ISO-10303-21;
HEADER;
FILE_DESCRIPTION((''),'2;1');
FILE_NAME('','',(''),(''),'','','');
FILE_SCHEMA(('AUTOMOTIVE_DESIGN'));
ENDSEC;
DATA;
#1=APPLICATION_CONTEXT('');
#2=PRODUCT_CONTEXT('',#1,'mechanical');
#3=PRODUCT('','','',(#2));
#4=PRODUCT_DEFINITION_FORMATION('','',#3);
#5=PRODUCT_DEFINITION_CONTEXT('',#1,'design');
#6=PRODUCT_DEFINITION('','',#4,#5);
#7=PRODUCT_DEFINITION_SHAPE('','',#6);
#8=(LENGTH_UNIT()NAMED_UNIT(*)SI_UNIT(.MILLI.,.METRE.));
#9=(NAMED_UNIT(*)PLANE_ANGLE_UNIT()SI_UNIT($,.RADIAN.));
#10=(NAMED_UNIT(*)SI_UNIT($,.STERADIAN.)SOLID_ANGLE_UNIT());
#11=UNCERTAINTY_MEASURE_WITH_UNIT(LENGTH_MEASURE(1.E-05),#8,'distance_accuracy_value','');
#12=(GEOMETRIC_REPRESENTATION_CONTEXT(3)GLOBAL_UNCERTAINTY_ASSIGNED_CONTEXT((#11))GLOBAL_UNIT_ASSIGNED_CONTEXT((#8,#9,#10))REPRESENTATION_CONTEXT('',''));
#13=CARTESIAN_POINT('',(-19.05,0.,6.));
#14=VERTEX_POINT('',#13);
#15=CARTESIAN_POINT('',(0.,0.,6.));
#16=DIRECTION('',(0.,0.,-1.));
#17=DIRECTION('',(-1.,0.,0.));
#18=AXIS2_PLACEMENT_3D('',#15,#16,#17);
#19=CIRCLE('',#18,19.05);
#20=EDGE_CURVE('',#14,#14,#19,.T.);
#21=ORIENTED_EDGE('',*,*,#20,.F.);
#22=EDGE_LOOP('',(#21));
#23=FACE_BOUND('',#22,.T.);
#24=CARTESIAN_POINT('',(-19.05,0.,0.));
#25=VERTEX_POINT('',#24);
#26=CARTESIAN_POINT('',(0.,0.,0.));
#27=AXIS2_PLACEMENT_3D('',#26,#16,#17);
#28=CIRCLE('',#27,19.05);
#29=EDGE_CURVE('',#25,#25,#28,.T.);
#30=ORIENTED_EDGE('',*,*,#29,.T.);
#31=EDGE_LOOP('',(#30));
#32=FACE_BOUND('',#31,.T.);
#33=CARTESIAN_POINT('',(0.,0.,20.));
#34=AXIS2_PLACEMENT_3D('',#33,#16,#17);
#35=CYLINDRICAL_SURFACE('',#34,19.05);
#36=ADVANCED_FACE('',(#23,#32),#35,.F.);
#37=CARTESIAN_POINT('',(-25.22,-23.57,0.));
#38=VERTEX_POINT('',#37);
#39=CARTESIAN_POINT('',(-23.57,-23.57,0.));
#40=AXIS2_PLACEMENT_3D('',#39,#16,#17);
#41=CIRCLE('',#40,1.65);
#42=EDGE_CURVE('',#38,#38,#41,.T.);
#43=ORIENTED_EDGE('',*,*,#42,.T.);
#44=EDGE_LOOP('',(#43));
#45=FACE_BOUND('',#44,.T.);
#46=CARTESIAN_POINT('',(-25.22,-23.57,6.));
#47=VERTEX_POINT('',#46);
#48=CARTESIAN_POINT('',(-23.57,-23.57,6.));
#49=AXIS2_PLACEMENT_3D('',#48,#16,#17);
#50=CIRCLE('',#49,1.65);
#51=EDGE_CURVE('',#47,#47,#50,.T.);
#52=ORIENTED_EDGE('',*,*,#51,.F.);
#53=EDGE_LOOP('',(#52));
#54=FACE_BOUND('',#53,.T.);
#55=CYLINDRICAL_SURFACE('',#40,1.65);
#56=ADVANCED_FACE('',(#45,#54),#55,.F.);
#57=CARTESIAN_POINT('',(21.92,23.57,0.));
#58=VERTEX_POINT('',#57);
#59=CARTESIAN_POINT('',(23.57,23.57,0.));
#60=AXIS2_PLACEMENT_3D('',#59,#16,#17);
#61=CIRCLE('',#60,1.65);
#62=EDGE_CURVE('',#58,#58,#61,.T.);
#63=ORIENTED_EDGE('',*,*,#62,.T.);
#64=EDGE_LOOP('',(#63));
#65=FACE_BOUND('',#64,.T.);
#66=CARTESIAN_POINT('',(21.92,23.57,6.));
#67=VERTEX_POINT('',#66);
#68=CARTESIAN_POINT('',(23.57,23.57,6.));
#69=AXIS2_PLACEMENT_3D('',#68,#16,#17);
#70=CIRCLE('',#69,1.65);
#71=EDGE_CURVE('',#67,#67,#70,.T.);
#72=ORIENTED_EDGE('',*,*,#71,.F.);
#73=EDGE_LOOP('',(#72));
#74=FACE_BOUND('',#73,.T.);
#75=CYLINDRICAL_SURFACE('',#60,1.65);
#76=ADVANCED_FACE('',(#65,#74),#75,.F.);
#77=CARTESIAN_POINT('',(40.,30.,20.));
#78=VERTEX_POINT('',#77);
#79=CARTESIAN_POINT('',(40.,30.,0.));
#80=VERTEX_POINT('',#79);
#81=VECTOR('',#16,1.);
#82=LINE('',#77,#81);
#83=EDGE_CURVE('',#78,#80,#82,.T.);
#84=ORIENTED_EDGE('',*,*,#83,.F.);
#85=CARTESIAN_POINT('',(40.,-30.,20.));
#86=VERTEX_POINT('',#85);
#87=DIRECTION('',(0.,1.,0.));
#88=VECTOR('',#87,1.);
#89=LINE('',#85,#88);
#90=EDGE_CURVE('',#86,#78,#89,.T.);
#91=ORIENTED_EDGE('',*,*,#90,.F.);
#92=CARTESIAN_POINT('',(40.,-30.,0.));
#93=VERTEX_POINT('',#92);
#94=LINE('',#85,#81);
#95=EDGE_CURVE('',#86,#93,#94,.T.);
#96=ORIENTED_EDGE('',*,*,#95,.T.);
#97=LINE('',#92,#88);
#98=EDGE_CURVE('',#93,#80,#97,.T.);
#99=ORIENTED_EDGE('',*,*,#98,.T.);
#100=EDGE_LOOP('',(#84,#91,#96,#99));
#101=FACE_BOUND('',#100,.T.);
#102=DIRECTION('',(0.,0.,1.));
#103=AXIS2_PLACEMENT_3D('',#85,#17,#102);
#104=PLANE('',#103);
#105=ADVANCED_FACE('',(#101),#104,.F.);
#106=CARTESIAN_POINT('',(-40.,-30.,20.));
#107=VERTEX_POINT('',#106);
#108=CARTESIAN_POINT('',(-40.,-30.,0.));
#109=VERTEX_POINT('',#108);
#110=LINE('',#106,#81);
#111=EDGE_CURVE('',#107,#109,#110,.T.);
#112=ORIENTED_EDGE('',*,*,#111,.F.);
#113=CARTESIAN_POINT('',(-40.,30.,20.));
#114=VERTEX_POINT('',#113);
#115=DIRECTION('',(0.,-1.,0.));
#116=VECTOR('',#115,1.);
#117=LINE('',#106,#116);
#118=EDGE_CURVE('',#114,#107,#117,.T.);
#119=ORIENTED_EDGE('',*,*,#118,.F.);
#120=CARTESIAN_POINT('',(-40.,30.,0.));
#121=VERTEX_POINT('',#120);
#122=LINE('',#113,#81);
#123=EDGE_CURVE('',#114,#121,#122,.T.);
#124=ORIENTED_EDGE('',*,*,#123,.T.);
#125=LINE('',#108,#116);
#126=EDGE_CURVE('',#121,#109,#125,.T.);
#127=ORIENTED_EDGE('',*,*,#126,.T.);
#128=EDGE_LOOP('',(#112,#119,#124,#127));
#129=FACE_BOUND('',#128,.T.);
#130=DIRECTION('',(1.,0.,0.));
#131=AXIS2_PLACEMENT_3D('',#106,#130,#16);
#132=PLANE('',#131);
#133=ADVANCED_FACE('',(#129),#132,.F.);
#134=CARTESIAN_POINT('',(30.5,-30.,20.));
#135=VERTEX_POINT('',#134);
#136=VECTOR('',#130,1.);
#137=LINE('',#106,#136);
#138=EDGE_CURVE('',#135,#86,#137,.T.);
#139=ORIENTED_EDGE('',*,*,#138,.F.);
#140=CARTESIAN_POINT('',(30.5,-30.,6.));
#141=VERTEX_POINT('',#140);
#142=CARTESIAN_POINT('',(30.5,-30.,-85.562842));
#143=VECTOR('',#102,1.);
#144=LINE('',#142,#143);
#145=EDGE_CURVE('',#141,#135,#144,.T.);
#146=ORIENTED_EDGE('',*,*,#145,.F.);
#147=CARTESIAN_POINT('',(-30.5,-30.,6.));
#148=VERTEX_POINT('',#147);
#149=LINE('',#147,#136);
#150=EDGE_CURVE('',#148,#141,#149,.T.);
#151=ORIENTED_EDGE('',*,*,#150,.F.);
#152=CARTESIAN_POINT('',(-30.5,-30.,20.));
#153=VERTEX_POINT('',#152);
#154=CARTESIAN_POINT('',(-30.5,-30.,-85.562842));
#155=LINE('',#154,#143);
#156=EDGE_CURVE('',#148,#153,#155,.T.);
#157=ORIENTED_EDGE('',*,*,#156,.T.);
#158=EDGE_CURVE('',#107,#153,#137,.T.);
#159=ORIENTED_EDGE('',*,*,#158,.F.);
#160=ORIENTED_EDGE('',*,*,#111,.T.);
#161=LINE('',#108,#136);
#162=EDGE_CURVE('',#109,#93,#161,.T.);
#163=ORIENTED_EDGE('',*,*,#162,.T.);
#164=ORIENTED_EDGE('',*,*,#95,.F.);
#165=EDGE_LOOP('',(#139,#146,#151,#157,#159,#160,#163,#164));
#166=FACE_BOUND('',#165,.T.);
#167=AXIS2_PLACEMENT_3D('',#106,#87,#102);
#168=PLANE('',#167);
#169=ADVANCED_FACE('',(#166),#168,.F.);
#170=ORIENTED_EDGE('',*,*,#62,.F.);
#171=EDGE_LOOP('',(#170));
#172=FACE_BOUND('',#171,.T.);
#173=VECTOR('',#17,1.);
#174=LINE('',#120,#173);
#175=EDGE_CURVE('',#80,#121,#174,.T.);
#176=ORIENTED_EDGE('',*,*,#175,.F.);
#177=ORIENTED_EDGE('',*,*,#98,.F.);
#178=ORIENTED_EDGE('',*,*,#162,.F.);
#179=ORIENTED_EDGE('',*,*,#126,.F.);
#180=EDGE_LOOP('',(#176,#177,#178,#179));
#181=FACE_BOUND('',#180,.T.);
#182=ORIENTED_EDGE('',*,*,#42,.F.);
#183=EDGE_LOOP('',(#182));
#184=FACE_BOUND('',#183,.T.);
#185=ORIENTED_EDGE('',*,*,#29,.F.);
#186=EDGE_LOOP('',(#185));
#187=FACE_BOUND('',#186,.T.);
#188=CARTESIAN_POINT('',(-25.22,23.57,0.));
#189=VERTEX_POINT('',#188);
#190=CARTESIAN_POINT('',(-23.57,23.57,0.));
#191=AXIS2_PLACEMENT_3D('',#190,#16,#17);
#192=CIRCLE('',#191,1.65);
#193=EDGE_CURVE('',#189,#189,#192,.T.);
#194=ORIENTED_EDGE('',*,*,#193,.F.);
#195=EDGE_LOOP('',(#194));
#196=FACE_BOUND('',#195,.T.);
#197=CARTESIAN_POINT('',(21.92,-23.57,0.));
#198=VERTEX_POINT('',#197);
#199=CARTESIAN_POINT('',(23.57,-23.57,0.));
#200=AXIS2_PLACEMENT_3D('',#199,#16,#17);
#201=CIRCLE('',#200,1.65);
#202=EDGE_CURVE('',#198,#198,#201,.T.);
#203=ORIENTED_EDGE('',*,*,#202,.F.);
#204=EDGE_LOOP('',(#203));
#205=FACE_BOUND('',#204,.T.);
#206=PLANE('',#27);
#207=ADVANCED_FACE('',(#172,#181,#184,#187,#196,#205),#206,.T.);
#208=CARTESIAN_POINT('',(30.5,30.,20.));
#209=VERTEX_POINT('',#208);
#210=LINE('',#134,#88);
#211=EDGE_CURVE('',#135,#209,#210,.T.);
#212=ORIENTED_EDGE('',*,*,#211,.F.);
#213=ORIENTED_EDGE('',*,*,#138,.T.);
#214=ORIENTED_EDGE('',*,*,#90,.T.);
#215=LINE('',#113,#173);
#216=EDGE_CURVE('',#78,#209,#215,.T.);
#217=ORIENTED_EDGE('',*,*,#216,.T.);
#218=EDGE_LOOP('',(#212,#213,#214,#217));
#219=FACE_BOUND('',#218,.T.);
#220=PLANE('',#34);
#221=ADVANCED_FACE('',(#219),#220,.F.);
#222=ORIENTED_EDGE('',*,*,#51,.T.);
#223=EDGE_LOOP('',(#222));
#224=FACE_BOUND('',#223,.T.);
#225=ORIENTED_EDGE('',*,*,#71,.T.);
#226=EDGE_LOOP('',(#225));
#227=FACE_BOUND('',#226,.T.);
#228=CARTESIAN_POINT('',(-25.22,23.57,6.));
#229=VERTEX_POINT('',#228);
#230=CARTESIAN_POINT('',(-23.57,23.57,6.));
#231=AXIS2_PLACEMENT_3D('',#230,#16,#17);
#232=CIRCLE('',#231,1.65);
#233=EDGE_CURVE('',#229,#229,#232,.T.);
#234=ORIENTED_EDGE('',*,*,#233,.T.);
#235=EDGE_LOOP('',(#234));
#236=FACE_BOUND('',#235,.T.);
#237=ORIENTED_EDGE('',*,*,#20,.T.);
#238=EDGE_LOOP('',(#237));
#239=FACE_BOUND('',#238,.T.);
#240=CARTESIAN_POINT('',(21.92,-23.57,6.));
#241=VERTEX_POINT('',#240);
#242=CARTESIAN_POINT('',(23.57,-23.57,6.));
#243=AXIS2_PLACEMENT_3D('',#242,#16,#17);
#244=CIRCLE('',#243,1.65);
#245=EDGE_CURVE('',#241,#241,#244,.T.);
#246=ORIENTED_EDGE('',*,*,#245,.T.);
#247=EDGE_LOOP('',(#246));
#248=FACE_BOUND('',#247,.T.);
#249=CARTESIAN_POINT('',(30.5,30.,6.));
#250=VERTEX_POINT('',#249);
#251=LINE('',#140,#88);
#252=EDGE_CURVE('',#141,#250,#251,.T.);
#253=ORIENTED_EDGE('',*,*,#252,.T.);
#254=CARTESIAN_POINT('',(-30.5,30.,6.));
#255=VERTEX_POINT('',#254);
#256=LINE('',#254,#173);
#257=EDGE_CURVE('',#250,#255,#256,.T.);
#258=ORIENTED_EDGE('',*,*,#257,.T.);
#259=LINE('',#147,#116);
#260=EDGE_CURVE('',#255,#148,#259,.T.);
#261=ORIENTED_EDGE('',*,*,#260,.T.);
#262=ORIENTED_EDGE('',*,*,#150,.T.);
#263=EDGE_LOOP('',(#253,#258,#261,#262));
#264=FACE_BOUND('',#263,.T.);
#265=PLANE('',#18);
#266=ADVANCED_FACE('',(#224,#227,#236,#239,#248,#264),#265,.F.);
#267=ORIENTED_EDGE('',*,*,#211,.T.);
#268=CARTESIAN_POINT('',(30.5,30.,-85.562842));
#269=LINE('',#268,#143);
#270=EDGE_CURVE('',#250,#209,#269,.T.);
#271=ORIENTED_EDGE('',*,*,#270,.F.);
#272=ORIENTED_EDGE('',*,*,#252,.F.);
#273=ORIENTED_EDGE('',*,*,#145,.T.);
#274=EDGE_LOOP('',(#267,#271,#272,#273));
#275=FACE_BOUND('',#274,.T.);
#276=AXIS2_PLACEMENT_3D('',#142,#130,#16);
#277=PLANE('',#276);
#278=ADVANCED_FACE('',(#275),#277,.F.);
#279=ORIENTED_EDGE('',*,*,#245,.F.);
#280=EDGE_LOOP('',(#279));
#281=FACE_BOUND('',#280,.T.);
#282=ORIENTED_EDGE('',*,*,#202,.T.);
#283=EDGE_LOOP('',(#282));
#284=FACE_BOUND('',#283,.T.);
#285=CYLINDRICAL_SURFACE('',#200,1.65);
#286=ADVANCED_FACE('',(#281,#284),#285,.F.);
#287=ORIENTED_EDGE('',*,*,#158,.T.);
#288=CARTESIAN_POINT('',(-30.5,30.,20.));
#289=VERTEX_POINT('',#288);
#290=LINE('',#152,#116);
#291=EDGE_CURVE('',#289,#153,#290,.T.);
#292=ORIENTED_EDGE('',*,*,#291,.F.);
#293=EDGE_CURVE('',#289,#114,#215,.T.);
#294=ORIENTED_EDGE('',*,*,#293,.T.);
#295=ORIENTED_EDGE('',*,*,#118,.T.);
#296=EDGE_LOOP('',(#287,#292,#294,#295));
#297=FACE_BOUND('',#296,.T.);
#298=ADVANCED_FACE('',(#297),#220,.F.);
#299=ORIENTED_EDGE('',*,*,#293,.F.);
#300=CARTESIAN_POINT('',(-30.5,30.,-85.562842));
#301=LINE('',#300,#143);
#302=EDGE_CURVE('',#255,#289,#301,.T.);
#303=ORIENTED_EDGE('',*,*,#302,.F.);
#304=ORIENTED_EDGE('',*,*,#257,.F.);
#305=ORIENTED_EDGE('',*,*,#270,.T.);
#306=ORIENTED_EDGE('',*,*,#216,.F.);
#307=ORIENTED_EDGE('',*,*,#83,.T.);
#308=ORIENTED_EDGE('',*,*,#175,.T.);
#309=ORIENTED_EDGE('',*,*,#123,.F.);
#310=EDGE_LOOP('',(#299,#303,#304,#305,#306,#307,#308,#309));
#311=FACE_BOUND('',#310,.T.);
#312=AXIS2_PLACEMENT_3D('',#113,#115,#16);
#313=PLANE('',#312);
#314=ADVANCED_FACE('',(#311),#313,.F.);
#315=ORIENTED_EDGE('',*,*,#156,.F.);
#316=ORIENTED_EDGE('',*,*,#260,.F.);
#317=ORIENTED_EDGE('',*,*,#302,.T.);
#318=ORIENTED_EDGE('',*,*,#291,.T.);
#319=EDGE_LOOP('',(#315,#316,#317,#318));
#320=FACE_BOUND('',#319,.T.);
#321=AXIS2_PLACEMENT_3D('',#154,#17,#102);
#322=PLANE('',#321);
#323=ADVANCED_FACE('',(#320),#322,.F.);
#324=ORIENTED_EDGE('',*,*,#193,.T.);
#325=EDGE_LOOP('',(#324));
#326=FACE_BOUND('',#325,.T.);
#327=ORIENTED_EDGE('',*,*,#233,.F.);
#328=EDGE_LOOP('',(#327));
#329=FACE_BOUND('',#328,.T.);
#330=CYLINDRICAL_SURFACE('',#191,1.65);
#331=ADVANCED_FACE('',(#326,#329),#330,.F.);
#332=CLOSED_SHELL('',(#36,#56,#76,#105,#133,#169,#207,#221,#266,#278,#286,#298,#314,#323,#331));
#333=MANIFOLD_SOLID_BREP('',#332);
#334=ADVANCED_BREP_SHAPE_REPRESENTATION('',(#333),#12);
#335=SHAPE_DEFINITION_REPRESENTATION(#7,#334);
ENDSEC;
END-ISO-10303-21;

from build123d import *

# Parameters (mm, degrees)
SKETCH_1_W          = 80
SKETCH_1_H          = 60
EXTRUDE_1_DEPTH     = 20
SKETCH_2_W          = 61
SKETCH_2_H          = 60
CUT_EXTRUDE_1_DEPTH = 14
SKETCH_3_R          = 19.05
CUT_EXTRUDE_2_DEPTH = 54.851648071
M4X0_7_1_D          = 3.3


with BuildPart() as part:
    # 草圖1 → 填料-伸長1 (new body)
    with BuildSketch(Plane.XY):
        Rectangle(SKETCH_1_W, SKETCH_1_H)
    extrude(amount=EXTRUDE_1_DEPTH)

    # 草圖2 → 除料-伸長1 (cut)
    with BuildSketch(Plane.XY.offset(20)):
        Rectangle(SKETCH_2_W, SKETCH_2_H)
    extrude(amount=-CUT_EXTRUDE_1_DEPTH, mode=Mode.SUBTRACT)

    # 草圖3 → 除料-伸長2 (cut, through all)
    with BuildSketch(Plane(origin=(0, 0, 0), x_dir=(-1, 0, 0), z_dir=(0, 0, -1))):
        Circle(SKETCH_3_R)
    extrude(amount=-CUT_EXTRUDE_2_DEPTH, mode=Mode.SUBTRACT)

    # M4x0.7 螺紋孔1 (through all)
    with Locations(Plane(origin=(0, 0, 0), x_dir=(-1, 0, 0), z_dir=(0, 0, -1))):
        with Locations((23.57, 23.57), (-23.57, -23.57), (-23.57, 23.57), (23.57, -23.57)):
            Hole(M4X0_7_1_D / 2)


solid = part.part
